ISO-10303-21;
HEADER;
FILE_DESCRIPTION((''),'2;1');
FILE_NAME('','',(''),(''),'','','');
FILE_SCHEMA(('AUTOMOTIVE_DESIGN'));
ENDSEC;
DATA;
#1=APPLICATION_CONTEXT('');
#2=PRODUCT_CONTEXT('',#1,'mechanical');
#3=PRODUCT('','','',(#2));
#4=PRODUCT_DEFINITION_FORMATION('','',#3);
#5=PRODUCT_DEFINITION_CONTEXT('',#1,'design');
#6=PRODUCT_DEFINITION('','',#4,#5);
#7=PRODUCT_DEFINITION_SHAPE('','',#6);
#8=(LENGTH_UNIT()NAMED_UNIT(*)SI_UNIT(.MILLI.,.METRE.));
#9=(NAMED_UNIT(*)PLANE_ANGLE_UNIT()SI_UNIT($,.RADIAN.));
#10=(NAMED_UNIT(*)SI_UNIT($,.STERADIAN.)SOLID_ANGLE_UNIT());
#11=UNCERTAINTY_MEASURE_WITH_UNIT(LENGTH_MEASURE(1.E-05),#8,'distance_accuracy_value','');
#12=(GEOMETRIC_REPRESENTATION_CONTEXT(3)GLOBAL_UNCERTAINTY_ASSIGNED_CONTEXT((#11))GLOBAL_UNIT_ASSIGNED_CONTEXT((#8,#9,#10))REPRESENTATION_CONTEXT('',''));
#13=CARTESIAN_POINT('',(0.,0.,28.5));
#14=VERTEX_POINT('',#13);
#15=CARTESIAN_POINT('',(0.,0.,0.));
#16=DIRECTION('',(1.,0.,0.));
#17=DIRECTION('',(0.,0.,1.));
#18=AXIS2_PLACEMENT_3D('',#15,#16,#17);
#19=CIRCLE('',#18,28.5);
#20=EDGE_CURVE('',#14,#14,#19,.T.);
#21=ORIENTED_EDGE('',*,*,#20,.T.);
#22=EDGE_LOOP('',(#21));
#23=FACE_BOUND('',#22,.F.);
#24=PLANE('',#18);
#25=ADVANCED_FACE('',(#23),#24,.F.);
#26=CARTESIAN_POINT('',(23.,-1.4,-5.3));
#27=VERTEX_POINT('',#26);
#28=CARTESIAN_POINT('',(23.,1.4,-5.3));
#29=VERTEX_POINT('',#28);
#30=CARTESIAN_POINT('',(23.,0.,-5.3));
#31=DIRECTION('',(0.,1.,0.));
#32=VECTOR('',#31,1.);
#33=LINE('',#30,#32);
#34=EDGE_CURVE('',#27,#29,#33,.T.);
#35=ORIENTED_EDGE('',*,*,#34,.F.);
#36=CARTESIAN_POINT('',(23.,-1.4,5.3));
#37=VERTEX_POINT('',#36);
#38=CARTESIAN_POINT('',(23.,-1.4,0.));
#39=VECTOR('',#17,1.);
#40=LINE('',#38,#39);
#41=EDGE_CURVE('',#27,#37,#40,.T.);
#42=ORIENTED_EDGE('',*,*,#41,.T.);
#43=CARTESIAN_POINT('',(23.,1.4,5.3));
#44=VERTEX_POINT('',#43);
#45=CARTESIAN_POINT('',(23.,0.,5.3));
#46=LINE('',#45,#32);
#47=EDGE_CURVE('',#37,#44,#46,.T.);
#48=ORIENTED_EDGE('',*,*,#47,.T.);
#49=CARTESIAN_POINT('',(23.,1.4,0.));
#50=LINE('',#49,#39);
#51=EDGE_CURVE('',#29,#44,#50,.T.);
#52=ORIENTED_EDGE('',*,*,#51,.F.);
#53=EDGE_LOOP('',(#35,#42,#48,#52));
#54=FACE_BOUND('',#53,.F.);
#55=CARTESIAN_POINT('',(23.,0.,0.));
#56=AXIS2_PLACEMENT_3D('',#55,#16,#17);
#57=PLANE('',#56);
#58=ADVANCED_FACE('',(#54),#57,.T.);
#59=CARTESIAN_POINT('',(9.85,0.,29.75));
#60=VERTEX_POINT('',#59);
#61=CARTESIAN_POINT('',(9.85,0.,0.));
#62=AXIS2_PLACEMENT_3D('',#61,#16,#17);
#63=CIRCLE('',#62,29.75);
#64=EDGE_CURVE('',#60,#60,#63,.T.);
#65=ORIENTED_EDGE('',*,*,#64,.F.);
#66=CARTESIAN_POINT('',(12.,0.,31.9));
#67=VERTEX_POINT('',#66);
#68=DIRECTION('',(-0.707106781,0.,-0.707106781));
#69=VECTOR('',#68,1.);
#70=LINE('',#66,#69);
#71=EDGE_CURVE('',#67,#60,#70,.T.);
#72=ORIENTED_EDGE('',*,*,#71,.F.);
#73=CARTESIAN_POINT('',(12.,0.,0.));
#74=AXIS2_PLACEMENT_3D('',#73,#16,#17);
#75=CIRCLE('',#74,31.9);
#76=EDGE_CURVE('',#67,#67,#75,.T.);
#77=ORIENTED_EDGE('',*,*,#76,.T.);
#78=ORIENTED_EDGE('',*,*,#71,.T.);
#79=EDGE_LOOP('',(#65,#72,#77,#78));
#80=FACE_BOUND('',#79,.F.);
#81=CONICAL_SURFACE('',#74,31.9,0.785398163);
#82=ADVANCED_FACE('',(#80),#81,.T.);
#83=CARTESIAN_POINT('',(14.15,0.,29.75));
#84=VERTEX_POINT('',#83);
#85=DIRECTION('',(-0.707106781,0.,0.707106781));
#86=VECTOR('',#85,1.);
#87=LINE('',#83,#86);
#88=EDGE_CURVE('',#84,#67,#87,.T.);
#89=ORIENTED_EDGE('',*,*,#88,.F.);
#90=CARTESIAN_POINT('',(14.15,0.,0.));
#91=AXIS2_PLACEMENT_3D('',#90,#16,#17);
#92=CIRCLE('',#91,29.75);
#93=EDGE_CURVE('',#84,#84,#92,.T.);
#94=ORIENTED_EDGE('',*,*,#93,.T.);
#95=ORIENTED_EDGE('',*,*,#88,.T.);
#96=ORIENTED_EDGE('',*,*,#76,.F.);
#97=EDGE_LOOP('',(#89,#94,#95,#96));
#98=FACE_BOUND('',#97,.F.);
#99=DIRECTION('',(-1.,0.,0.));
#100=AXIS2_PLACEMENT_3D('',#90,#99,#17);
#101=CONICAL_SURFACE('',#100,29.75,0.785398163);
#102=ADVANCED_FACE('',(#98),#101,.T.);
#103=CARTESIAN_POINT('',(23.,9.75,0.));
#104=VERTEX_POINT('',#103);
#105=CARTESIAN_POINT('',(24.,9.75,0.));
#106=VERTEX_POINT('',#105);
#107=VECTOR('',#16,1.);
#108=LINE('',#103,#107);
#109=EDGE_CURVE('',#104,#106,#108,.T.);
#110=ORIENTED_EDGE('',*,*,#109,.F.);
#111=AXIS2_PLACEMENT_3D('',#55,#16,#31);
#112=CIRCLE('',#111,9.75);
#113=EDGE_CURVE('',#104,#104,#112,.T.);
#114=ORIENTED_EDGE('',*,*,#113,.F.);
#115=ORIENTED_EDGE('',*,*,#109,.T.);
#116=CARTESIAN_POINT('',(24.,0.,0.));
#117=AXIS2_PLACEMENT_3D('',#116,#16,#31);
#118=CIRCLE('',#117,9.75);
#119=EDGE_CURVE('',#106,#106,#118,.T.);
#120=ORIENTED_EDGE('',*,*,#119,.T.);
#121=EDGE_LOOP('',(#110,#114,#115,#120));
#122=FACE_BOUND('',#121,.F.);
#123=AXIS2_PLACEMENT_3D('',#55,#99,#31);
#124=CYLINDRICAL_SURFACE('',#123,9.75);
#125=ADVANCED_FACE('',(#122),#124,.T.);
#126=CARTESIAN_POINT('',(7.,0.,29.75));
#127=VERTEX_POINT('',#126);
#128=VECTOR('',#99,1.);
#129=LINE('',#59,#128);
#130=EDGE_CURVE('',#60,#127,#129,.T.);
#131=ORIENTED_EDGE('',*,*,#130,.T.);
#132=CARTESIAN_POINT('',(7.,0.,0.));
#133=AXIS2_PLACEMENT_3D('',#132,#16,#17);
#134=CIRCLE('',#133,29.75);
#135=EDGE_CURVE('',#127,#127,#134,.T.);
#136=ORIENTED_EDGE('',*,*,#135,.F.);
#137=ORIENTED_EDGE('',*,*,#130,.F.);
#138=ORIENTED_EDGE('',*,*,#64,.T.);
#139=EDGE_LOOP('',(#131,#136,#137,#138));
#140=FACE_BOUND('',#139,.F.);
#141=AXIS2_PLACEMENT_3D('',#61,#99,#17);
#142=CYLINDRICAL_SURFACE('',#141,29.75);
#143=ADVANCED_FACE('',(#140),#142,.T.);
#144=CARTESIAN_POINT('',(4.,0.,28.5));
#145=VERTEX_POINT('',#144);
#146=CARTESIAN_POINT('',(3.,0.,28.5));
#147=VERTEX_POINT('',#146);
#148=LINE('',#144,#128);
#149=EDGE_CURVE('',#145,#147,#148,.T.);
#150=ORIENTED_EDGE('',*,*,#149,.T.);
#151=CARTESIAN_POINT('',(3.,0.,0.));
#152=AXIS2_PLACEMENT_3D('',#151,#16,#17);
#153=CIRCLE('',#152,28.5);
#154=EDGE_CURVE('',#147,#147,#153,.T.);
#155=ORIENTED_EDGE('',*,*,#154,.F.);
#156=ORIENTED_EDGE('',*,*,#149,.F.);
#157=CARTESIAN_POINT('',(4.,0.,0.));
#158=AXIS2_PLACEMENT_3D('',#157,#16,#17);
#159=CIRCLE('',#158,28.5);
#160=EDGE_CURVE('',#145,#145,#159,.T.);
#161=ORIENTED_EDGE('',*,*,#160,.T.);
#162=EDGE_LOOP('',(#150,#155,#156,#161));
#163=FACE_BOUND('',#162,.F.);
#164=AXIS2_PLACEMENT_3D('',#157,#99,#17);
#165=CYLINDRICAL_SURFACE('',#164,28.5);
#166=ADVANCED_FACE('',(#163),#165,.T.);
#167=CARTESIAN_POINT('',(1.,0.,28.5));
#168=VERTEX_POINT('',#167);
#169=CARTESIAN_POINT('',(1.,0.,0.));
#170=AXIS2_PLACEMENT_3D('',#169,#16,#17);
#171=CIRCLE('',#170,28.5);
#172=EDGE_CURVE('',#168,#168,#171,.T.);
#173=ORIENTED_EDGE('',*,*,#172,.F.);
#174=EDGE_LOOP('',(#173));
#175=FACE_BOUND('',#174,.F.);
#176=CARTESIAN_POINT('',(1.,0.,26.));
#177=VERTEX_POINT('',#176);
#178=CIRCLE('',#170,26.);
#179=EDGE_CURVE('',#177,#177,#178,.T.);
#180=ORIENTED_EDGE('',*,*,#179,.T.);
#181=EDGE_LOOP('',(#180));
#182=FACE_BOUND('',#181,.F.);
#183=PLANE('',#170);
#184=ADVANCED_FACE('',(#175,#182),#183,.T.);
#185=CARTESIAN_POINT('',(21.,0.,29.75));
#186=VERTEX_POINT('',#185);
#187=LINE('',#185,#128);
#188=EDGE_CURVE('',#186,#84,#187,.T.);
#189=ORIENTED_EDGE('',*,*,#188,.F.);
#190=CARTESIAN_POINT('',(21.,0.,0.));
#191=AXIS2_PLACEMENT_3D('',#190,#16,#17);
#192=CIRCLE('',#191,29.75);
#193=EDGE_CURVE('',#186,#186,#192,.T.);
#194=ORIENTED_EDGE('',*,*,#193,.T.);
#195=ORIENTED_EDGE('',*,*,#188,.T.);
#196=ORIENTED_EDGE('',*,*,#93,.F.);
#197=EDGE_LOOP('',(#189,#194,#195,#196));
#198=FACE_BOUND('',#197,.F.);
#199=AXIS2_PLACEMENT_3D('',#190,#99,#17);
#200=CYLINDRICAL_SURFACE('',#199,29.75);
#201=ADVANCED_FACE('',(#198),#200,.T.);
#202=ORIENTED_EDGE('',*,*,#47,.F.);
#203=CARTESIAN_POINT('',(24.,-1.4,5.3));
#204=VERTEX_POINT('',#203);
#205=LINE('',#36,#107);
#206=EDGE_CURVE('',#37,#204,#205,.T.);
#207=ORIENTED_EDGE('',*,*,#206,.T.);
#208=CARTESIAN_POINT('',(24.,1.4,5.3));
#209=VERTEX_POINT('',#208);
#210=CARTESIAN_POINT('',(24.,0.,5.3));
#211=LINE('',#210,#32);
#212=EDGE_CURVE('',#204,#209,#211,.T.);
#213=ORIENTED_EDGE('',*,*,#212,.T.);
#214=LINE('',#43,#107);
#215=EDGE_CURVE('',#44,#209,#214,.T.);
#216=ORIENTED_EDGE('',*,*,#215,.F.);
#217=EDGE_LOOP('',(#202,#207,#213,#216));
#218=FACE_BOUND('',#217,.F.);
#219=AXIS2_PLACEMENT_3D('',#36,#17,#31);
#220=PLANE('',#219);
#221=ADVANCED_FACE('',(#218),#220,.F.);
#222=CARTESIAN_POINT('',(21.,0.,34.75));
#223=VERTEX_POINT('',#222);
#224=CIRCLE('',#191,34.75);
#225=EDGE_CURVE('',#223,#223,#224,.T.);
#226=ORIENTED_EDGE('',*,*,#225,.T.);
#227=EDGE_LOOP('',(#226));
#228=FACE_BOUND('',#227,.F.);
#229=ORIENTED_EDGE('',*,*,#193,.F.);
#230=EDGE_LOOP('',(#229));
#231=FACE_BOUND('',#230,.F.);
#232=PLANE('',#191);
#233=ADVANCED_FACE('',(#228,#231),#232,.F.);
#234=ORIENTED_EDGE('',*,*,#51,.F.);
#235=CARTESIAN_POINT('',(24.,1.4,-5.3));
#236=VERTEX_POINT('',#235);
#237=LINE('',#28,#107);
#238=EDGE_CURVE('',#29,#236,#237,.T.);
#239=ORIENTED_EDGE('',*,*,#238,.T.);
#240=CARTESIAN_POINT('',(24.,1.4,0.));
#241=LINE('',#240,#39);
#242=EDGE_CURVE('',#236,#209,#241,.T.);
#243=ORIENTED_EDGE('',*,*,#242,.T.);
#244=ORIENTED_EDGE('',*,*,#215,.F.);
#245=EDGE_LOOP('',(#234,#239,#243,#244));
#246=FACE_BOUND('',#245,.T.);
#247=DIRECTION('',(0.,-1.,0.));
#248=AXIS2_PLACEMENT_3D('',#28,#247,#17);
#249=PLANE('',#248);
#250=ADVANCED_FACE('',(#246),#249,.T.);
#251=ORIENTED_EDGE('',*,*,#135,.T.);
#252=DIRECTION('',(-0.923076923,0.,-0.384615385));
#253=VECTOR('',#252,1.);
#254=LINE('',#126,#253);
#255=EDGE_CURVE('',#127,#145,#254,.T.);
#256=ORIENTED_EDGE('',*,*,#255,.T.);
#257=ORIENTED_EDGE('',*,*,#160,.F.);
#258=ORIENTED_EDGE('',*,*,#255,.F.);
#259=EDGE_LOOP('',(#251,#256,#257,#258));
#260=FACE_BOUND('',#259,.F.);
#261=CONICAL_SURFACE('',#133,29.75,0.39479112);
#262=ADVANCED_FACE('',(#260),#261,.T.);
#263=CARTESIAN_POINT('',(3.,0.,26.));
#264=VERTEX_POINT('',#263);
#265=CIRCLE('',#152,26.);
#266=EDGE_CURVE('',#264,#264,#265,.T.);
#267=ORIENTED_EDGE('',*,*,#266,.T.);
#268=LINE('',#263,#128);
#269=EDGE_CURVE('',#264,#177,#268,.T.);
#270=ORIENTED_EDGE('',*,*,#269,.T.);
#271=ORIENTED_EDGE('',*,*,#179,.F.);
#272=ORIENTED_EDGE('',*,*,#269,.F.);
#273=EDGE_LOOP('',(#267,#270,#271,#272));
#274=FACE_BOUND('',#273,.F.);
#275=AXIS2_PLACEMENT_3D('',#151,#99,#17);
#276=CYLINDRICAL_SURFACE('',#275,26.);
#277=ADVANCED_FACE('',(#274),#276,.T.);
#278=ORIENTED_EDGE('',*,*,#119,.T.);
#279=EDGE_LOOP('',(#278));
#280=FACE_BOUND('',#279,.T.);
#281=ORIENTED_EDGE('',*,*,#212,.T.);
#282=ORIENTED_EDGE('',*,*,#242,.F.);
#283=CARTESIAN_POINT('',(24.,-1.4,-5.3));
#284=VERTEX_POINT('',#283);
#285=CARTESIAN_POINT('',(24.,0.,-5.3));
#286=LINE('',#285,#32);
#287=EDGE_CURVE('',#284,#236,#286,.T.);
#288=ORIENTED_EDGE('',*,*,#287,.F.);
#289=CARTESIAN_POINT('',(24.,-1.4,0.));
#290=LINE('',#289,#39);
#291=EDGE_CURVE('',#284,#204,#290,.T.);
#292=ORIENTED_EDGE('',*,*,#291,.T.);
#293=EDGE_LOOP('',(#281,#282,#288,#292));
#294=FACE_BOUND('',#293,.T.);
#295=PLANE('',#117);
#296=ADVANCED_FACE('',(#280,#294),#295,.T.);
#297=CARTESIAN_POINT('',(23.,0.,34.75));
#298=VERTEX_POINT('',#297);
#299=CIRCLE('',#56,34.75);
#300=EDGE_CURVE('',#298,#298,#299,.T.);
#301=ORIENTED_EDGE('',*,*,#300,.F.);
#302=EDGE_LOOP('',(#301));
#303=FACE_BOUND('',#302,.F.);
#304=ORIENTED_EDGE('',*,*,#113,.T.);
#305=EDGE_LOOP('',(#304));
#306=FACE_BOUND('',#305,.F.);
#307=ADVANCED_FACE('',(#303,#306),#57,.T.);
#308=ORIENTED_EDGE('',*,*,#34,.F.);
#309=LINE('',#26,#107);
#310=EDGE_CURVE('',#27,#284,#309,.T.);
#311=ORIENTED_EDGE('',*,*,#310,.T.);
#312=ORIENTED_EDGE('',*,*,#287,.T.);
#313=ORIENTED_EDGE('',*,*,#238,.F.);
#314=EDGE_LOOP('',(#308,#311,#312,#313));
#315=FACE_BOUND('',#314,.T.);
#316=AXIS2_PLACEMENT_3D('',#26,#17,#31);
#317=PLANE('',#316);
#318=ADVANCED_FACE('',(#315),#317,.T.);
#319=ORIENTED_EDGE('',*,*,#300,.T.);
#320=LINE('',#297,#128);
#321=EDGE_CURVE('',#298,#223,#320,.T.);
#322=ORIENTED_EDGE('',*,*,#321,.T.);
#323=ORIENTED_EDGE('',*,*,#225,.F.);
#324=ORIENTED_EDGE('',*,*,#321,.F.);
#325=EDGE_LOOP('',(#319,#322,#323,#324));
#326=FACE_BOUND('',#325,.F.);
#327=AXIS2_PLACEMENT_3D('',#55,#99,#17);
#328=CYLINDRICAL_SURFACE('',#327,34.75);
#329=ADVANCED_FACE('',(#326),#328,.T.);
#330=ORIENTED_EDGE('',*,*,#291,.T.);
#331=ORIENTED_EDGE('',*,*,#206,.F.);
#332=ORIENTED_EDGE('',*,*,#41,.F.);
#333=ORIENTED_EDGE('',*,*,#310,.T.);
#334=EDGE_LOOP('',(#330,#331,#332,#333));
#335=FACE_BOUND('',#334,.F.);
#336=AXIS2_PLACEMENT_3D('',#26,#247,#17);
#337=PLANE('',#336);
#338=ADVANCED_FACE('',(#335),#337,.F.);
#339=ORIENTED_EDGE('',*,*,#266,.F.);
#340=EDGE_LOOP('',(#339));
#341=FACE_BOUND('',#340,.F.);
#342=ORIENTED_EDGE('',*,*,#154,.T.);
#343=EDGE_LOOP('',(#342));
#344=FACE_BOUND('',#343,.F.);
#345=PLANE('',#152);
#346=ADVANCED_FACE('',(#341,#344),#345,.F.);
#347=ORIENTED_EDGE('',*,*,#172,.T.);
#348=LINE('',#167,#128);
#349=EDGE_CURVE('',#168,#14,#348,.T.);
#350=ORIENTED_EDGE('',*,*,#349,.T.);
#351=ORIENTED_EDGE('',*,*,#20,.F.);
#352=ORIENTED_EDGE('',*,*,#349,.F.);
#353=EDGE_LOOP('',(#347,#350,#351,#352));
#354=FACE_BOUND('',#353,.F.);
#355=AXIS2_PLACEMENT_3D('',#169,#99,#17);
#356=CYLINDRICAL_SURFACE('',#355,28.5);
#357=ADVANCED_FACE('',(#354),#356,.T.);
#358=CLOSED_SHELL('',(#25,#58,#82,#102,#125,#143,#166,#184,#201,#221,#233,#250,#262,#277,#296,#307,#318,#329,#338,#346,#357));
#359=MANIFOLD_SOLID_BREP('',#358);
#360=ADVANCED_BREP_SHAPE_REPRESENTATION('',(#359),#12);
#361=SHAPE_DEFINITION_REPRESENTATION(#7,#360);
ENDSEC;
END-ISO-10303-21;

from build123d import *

# Parameters (mm, degrees)
F2_R     = 9.75
F2_W     = 2.8
F2_H     = 10.6
F3_DEPTH = 1


with BuildPart() as f1:
    # F0 (on Front) → F1 (revolve)
    with BuildSketch(Plane.XZ):
        Polygon((0, 28.5), (0, 0), (23, 0), (23, 34.75), (21, 34.75), (21, 29.75), (14.15, 29.75), (12, 31.9), (9.85, 29.75), (7, 29.75), (4, 28.5), (3, 28.5), (3, 26), (1, 26), (1, 28.5), align=None)
    revolve(axis=Axis((0.35, 0, 0), (1, 0, 0)))

    # F2 (on face) → F3 (join)
    with BuildSketch(Plane.YZ.offset(23)):
        Circle(F2_R)
        Rectangle(F2_W, F2_H, mode=Mode.SUBTRACT)
    extrude(amount=F3_DEPTH)


solid = f1.part
